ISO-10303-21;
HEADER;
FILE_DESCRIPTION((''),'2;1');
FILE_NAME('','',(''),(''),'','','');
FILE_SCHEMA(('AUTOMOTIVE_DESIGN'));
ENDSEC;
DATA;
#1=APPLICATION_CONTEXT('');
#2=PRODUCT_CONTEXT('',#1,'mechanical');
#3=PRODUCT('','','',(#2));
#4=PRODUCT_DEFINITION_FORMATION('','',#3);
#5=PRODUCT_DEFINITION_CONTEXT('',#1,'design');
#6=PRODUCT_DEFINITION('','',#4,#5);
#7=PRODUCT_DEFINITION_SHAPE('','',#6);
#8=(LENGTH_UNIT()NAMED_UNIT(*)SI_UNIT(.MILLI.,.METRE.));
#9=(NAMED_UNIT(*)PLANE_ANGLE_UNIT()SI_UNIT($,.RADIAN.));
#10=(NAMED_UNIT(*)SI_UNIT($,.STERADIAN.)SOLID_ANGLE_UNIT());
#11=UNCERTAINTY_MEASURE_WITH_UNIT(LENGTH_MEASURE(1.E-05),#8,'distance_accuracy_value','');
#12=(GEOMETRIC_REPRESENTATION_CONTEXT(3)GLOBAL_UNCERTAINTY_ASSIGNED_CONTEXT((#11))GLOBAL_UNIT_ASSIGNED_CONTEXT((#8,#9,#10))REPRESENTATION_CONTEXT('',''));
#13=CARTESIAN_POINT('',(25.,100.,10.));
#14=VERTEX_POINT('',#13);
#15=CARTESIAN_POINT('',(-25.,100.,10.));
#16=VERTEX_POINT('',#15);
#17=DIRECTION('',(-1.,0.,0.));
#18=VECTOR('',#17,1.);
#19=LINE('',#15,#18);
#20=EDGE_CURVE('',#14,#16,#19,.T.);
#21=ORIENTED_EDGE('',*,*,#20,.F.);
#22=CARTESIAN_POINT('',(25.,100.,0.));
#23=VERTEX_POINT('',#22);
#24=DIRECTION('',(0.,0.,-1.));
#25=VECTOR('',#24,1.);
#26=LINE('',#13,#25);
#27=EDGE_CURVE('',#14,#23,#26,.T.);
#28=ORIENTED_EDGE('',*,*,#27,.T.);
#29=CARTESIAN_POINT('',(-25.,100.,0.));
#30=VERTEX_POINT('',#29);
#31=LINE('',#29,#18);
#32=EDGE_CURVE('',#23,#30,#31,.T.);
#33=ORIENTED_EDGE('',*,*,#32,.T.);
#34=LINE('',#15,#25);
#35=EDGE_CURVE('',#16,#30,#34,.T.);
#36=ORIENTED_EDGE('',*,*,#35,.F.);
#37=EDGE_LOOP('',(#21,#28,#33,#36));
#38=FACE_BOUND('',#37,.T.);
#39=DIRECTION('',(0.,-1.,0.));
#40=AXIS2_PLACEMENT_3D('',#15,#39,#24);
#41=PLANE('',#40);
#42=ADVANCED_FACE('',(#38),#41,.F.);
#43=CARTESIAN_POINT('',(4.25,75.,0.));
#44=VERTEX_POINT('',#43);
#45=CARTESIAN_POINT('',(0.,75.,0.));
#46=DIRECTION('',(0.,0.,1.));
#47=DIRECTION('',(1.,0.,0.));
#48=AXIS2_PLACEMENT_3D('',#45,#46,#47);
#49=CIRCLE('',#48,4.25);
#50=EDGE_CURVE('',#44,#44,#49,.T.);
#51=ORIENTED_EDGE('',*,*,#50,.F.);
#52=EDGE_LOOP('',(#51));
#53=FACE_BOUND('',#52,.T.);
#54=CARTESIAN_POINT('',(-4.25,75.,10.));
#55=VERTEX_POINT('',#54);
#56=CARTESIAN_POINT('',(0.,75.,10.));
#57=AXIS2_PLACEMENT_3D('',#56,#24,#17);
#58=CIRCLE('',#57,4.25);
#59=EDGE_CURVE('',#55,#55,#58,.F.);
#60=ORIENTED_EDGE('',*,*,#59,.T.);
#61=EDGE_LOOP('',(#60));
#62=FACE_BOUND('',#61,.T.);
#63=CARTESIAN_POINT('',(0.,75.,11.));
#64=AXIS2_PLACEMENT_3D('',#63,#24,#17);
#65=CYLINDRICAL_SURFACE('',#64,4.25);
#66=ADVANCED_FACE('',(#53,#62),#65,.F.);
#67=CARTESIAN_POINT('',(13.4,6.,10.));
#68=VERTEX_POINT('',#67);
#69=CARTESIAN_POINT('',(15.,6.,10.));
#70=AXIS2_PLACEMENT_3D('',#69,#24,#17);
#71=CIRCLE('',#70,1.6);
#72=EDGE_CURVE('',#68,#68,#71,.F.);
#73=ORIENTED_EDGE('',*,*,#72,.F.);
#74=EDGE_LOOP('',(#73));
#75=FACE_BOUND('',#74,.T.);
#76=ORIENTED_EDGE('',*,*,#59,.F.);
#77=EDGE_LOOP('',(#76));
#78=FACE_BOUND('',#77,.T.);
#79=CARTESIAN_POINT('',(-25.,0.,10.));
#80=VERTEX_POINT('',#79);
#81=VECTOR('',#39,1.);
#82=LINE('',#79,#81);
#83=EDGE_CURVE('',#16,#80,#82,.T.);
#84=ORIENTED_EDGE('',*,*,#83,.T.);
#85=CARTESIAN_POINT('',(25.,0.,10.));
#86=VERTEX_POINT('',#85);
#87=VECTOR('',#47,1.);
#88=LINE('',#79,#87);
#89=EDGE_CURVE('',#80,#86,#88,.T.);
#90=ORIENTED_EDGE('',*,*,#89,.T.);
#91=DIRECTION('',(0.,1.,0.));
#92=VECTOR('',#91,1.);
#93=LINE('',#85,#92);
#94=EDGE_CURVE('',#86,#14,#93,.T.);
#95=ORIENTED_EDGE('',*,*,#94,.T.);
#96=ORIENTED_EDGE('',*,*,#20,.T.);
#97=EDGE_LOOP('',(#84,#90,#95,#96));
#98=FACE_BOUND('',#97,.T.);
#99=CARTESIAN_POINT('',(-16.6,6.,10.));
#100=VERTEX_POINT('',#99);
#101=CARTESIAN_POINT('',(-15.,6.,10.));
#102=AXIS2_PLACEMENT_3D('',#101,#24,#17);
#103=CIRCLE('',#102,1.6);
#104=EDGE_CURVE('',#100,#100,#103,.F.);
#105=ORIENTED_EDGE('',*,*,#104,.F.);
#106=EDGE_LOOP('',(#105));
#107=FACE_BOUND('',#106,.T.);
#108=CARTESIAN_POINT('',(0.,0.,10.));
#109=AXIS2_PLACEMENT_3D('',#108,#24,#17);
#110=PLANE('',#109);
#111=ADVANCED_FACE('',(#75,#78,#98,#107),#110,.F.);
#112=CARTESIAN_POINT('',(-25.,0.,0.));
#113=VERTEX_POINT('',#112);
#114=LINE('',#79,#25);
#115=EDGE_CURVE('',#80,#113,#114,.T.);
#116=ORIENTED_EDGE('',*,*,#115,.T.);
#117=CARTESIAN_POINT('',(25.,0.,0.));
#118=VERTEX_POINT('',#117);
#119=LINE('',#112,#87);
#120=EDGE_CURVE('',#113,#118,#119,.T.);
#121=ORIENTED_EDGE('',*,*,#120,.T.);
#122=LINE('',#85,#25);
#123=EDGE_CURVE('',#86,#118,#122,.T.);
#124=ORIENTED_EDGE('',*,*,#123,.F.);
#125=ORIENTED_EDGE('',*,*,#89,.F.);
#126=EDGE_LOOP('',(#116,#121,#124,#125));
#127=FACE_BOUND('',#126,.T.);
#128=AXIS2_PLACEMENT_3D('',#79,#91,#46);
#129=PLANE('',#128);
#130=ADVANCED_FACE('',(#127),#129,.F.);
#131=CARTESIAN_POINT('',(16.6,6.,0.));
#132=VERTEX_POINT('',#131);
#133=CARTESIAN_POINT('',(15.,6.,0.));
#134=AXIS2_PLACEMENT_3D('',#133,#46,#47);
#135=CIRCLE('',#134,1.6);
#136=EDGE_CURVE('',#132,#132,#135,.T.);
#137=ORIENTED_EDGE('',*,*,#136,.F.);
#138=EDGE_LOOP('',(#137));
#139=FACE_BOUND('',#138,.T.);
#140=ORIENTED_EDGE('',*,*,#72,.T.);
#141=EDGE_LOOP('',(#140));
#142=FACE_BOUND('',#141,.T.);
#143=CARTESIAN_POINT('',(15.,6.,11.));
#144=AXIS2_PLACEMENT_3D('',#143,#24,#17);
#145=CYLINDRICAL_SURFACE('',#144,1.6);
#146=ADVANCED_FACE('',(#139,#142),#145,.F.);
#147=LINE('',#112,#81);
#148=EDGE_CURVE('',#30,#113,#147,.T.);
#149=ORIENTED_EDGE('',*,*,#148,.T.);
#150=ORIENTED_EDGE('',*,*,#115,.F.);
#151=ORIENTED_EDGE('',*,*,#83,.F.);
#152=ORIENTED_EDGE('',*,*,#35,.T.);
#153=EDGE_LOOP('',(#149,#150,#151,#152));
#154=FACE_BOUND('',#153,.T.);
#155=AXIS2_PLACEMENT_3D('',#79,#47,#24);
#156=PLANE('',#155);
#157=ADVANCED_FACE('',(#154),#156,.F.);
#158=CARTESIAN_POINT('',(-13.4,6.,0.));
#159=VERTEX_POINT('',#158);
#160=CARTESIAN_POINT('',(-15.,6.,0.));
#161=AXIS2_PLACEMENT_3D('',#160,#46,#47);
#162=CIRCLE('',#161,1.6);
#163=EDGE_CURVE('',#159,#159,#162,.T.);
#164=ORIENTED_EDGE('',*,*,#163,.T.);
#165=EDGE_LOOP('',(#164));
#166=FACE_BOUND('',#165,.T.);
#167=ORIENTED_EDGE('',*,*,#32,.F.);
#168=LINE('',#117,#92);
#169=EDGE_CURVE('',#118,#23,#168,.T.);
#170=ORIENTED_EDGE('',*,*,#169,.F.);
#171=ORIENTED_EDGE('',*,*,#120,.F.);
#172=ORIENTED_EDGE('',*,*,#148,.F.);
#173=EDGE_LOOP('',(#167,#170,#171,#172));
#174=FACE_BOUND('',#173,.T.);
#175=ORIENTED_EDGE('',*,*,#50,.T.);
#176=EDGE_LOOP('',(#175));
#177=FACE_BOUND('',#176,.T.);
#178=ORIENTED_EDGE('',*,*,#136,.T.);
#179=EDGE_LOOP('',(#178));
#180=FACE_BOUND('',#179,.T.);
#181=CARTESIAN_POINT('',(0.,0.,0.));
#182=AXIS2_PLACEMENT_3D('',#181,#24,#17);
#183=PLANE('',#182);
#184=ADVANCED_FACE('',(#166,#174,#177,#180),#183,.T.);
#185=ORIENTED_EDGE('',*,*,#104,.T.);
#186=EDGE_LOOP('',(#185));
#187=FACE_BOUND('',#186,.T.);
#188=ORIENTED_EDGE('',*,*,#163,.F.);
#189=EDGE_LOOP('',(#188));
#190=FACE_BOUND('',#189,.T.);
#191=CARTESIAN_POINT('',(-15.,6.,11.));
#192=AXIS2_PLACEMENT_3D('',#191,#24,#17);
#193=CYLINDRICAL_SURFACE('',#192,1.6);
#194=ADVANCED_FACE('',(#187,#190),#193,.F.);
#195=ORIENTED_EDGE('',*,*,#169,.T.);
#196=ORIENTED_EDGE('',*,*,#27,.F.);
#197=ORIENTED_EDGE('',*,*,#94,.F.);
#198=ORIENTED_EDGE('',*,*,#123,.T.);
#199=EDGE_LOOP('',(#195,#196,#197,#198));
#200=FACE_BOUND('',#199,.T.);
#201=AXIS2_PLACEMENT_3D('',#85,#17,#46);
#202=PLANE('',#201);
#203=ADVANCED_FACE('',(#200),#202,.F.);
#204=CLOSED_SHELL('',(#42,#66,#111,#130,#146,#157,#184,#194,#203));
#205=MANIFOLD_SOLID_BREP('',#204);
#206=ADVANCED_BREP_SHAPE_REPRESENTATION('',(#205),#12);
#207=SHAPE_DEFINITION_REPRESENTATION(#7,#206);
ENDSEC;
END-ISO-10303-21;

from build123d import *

# Parameters (mm, degrees)
SKETCH1_W           = 50
SKETCH1_H           = 100
BOSS_EXTRUDE1_DEPTH = 10
SKETCH2_R           = 4.25
SKETCH2_R_2         = 1.6
CUT_EXTRUDE2_DEPTH  = 11


with BuildPart() as part:
    # Sketch1 → Boss-Extrude1 (new body)
    with BuildSketch(Plane.XY):
        with Locations((0, 50)):
            Rectangle(SKETCH1_W, SKETCH1_H)
    extrude(amount=BOSS_EXTRUDE1_DEPTH)

    # Sketch2 → Cut-Extrude2 (cut)
    with BuildSketch(Plane.XY):
        with Locations(Location((0, 75, 0), (0, 0, 180))):
            Circle(SKETCH2_R)
        with Locations(Location((15, 6, 0), (0, 0, 180))):
            Circle(SKETCH2_R_2)
        with Locations(Location((-15, 6, 0), (0, 0, 180))):
            Circle(SKETCH2_R_2)
    extrude(amount=CUT_EXTRUDE2_DEPTH, mode=Mode.SUBTRACT)


solid = part.part
